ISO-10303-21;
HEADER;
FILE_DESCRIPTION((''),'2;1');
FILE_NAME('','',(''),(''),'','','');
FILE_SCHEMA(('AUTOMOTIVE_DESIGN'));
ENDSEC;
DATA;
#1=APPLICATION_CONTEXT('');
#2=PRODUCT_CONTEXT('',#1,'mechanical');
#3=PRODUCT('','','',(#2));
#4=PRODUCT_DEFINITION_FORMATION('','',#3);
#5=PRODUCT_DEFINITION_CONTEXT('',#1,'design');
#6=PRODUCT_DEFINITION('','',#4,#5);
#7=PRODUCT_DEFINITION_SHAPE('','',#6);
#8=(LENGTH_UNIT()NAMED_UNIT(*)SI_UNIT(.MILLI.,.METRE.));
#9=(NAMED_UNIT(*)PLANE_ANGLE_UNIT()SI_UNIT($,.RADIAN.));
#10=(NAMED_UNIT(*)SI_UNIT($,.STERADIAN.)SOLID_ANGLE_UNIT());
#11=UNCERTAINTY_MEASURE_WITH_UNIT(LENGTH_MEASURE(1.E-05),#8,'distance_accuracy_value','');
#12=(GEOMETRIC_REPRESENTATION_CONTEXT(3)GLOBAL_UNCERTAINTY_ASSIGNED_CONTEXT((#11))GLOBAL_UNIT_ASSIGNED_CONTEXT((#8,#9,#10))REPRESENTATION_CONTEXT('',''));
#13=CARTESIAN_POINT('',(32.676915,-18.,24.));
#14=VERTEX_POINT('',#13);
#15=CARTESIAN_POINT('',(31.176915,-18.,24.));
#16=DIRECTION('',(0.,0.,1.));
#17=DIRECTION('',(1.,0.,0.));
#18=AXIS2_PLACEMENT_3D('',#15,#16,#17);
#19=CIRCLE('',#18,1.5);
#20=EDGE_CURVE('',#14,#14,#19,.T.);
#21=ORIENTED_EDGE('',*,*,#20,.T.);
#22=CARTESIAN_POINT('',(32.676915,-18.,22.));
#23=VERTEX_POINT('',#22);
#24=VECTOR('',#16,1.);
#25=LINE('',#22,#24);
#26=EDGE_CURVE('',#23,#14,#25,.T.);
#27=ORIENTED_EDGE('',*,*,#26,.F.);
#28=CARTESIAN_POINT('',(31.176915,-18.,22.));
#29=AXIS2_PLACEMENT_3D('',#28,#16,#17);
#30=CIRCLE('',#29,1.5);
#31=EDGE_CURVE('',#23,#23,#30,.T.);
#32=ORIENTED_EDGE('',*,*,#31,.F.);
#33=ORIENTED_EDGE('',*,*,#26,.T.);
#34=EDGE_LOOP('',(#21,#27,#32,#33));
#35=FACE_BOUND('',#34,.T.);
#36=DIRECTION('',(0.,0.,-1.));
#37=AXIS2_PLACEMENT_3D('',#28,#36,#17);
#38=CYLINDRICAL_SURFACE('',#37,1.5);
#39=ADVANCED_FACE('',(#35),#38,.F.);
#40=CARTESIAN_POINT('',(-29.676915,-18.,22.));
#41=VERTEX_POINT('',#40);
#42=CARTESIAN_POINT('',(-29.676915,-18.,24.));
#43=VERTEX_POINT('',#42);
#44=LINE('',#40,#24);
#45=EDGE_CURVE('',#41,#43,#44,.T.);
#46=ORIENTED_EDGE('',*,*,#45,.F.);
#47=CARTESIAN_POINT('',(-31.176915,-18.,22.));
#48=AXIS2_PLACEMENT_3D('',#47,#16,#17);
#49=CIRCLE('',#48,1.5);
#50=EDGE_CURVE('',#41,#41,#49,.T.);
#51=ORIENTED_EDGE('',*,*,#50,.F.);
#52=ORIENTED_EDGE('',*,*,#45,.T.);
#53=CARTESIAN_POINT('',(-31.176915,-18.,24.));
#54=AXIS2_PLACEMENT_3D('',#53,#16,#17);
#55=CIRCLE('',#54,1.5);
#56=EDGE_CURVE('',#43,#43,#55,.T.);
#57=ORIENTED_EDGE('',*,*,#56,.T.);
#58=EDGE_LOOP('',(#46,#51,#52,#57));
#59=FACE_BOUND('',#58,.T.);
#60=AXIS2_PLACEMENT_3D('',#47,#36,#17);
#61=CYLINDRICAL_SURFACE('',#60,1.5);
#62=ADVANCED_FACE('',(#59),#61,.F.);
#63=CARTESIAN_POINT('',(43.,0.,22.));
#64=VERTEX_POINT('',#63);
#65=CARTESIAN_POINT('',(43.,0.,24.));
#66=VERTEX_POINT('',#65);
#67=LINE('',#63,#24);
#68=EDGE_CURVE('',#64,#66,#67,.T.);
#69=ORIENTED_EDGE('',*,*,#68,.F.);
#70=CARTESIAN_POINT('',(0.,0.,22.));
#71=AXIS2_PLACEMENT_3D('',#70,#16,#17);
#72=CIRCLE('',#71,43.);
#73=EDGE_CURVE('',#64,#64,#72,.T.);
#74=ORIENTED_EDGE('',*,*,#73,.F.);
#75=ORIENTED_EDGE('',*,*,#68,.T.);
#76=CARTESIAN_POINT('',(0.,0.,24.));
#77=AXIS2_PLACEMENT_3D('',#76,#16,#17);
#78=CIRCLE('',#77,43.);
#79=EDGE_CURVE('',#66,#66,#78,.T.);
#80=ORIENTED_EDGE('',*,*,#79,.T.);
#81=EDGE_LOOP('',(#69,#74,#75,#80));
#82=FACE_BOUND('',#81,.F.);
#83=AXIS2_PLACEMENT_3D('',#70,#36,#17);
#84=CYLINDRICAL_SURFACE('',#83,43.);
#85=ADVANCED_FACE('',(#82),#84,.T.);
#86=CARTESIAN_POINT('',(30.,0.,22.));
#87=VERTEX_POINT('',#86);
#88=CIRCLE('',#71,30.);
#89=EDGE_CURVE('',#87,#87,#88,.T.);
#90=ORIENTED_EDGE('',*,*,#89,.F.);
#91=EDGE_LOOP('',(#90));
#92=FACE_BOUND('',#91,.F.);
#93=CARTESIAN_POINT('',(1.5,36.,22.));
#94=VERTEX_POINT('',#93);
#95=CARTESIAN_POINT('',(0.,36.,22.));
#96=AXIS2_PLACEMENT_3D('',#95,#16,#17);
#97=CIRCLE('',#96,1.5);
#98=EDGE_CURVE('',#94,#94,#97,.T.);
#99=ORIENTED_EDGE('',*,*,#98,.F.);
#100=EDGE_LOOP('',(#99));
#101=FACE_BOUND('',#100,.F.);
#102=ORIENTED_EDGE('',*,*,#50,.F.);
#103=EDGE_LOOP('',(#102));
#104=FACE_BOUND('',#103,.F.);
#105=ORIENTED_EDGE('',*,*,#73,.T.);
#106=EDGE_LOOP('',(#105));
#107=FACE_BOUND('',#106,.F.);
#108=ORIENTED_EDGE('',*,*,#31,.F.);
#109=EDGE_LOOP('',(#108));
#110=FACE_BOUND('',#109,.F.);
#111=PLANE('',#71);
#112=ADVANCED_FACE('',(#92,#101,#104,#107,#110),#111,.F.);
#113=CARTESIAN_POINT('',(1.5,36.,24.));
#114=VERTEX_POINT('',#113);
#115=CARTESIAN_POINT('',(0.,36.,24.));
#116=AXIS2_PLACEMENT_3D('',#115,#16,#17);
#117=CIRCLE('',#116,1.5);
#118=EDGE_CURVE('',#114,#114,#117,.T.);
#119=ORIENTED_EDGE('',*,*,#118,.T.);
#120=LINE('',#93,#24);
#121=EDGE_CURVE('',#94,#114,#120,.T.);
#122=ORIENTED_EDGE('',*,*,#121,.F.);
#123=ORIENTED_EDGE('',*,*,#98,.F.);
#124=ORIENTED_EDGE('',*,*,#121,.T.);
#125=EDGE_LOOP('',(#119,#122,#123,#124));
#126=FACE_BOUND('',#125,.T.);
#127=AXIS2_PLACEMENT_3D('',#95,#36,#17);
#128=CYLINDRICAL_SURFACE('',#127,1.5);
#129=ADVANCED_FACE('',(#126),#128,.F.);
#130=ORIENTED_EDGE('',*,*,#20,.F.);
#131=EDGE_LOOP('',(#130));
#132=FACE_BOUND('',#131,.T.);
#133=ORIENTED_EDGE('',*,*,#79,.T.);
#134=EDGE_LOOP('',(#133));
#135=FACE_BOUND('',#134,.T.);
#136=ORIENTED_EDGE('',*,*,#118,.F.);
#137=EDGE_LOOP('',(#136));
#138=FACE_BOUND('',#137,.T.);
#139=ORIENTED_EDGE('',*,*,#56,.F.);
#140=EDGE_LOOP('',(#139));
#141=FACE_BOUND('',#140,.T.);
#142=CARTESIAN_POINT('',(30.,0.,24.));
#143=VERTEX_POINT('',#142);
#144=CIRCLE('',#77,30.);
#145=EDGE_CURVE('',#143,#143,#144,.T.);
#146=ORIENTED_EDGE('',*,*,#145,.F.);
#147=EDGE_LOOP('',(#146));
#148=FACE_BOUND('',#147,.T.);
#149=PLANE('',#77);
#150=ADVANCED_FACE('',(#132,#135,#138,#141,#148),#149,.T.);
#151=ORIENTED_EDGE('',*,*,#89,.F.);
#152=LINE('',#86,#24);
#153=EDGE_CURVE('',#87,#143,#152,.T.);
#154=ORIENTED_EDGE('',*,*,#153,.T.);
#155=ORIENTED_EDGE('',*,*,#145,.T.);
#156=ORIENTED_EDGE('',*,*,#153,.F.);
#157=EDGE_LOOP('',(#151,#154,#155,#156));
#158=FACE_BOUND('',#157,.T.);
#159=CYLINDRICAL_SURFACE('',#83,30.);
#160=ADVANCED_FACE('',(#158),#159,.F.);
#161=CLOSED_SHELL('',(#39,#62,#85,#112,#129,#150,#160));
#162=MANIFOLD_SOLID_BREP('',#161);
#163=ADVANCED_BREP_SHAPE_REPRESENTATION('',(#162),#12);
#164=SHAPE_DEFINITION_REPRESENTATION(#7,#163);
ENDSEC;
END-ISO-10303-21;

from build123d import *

# Parameters (mm, degrees)
SKETCH006_R   = 43
SKETCH006_R_2 = 1.5
SKETCH006_R_3 = 30
PAD_DEPTH     = 2


with BuildPart() as part:
    # Sketch006 → Pad (new body)
    with BuildSketch(Plane.XY.offset(22)):
        Circle(SKETCH006_R)
        with Locations((0, 36)):
            Circle(SKETCH006_R_2, mode=Mode.SUBTRACT)
        with Locations((31.176915, -18)):
            Circle(SKETCH006_R_2, mode=Mode.SUBTRACT)
        with Locations((-31.176915, -18)):
            Circle(SKETCH006_R_2, mode=Mode.SUBTRACT)
        Circle(SKETCH006_R_3, mode=Mode.SUBTRACT)
    extrude(amount=PAD_DEPTH)


solid = part.part
